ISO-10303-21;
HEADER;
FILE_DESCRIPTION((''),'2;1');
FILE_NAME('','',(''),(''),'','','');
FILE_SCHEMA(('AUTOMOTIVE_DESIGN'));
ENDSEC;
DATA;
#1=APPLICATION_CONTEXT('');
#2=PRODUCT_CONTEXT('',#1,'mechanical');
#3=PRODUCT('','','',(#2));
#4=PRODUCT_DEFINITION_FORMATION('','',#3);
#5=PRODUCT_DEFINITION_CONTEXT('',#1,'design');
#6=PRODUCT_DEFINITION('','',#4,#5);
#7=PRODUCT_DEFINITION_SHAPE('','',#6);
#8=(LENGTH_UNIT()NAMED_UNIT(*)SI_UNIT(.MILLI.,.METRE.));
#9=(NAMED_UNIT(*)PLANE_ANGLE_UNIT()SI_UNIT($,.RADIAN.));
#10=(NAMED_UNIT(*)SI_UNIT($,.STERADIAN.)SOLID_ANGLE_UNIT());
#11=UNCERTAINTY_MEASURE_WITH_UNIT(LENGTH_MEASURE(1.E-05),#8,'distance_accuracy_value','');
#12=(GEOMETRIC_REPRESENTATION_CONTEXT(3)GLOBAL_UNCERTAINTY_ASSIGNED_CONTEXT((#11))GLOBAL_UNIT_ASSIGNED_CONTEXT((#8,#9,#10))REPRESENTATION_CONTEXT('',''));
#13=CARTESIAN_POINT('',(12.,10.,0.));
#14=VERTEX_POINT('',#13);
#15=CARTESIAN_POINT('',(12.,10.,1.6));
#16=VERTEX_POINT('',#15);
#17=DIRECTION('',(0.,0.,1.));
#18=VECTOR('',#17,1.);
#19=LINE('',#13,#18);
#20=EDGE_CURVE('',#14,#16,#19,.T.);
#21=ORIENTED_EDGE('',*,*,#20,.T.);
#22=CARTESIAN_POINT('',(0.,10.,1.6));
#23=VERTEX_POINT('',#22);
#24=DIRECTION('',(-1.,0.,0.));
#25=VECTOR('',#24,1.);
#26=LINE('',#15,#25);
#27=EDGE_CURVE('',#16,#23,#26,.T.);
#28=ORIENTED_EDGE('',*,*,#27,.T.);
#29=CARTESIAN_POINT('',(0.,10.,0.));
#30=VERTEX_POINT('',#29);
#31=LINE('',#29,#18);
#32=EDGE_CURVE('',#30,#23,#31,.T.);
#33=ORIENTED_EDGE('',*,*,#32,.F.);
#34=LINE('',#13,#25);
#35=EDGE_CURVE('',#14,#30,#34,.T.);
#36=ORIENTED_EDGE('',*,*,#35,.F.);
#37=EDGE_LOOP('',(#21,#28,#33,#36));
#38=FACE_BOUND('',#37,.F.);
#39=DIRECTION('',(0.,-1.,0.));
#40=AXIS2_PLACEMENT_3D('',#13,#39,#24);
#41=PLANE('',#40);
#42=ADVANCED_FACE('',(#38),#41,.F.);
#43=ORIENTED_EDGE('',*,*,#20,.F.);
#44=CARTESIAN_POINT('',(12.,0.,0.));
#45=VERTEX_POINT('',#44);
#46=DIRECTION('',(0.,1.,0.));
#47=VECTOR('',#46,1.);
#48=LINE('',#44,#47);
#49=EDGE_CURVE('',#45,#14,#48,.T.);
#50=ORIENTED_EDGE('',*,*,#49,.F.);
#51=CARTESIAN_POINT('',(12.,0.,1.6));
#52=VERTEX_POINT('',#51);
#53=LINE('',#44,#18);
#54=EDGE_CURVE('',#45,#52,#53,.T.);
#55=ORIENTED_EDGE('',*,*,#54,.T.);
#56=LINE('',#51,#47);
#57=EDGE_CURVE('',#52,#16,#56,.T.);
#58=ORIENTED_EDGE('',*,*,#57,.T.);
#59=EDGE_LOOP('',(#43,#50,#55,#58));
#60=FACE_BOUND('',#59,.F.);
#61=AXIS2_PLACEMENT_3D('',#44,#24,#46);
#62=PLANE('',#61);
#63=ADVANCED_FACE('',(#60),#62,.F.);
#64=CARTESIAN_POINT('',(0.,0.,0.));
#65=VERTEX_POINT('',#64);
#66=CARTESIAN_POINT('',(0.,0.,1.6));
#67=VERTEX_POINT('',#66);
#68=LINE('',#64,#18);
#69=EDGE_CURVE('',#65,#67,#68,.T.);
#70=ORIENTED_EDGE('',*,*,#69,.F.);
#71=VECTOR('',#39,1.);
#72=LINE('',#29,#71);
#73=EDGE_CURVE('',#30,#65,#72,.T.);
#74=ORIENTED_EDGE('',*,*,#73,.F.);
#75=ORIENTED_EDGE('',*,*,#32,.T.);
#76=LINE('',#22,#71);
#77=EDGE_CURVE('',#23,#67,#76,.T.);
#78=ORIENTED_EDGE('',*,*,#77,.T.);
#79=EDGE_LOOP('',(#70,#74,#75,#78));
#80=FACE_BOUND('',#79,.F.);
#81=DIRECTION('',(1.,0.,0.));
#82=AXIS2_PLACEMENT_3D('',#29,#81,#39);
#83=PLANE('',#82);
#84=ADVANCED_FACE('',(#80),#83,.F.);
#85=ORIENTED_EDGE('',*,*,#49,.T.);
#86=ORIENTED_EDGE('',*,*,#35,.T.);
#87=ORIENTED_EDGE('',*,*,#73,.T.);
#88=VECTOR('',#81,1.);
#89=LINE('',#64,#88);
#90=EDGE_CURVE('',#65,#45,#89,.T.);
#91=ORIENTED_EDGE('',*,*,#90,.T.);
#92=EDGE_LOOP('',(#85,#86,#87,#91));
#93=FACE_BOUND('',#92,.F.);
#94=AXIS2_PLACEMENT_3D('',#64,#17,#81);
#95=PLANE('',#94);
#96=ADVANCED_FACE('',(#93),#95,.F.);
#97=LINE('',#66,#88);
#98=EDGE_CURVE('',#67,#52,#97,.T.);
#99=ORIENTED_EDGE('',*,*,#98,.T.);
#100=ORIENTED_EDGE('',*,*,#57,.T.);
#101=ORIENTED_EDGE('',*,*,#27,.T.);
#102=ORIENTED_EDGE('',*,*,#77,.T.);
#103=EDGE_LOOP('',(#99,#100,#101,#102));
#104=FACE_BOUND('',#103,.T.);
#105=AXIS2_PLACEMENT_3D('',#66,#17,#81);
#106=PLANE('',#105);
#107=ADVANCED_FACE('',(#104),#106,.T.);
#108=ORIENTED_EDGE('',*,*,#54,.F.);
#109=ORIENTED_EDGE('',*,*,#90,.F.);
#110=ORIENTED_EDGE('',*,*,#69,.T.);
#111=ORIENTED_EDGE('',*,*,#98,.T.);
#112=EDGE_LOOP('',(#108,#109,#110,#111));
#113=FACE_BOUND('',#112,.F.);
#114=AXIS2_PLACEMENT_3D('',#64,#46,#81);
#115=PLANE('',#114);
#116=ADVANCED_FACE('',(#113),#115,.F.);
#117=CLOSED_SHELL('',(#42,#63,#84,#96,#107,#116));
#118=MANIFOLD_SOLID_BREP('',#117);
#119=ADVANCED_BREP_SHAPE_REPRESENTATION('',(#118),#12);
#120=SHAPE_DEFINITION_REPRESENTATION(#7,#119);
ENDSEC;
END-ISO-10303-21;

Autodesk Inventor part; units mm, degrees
ref_plane "YZ Plane" through (0, 0, 0) normal (1, 0, 0) x (0, 1, 0)
ref_plane "XZ Plane" through (0, 0, 0) normal (0, 1, 0) x (-1, 0, 0)
ref_plane "XY Plane" through (0, 0, 0) normal (0, 0, 1) x (1, 0, 0)
sketch "スケッチ1" plane through (0, 0, 0) normal (0, 0, 1) x (1, 0, 0)
  line L0 (0, 0) -> (12, 0)
  line L1 (12, 0) -> (12, 10)
  line L2 (12, 10) -> (0, 10)
  line L3 (0, 10) -> (0, 0)
  dimension "d0" = 12
  dimension "d1" = 10
extrude "押し出し1" add sketch "スケッチ1" along normal blind 1.6
properties part number "USBブリッジ基板2"
